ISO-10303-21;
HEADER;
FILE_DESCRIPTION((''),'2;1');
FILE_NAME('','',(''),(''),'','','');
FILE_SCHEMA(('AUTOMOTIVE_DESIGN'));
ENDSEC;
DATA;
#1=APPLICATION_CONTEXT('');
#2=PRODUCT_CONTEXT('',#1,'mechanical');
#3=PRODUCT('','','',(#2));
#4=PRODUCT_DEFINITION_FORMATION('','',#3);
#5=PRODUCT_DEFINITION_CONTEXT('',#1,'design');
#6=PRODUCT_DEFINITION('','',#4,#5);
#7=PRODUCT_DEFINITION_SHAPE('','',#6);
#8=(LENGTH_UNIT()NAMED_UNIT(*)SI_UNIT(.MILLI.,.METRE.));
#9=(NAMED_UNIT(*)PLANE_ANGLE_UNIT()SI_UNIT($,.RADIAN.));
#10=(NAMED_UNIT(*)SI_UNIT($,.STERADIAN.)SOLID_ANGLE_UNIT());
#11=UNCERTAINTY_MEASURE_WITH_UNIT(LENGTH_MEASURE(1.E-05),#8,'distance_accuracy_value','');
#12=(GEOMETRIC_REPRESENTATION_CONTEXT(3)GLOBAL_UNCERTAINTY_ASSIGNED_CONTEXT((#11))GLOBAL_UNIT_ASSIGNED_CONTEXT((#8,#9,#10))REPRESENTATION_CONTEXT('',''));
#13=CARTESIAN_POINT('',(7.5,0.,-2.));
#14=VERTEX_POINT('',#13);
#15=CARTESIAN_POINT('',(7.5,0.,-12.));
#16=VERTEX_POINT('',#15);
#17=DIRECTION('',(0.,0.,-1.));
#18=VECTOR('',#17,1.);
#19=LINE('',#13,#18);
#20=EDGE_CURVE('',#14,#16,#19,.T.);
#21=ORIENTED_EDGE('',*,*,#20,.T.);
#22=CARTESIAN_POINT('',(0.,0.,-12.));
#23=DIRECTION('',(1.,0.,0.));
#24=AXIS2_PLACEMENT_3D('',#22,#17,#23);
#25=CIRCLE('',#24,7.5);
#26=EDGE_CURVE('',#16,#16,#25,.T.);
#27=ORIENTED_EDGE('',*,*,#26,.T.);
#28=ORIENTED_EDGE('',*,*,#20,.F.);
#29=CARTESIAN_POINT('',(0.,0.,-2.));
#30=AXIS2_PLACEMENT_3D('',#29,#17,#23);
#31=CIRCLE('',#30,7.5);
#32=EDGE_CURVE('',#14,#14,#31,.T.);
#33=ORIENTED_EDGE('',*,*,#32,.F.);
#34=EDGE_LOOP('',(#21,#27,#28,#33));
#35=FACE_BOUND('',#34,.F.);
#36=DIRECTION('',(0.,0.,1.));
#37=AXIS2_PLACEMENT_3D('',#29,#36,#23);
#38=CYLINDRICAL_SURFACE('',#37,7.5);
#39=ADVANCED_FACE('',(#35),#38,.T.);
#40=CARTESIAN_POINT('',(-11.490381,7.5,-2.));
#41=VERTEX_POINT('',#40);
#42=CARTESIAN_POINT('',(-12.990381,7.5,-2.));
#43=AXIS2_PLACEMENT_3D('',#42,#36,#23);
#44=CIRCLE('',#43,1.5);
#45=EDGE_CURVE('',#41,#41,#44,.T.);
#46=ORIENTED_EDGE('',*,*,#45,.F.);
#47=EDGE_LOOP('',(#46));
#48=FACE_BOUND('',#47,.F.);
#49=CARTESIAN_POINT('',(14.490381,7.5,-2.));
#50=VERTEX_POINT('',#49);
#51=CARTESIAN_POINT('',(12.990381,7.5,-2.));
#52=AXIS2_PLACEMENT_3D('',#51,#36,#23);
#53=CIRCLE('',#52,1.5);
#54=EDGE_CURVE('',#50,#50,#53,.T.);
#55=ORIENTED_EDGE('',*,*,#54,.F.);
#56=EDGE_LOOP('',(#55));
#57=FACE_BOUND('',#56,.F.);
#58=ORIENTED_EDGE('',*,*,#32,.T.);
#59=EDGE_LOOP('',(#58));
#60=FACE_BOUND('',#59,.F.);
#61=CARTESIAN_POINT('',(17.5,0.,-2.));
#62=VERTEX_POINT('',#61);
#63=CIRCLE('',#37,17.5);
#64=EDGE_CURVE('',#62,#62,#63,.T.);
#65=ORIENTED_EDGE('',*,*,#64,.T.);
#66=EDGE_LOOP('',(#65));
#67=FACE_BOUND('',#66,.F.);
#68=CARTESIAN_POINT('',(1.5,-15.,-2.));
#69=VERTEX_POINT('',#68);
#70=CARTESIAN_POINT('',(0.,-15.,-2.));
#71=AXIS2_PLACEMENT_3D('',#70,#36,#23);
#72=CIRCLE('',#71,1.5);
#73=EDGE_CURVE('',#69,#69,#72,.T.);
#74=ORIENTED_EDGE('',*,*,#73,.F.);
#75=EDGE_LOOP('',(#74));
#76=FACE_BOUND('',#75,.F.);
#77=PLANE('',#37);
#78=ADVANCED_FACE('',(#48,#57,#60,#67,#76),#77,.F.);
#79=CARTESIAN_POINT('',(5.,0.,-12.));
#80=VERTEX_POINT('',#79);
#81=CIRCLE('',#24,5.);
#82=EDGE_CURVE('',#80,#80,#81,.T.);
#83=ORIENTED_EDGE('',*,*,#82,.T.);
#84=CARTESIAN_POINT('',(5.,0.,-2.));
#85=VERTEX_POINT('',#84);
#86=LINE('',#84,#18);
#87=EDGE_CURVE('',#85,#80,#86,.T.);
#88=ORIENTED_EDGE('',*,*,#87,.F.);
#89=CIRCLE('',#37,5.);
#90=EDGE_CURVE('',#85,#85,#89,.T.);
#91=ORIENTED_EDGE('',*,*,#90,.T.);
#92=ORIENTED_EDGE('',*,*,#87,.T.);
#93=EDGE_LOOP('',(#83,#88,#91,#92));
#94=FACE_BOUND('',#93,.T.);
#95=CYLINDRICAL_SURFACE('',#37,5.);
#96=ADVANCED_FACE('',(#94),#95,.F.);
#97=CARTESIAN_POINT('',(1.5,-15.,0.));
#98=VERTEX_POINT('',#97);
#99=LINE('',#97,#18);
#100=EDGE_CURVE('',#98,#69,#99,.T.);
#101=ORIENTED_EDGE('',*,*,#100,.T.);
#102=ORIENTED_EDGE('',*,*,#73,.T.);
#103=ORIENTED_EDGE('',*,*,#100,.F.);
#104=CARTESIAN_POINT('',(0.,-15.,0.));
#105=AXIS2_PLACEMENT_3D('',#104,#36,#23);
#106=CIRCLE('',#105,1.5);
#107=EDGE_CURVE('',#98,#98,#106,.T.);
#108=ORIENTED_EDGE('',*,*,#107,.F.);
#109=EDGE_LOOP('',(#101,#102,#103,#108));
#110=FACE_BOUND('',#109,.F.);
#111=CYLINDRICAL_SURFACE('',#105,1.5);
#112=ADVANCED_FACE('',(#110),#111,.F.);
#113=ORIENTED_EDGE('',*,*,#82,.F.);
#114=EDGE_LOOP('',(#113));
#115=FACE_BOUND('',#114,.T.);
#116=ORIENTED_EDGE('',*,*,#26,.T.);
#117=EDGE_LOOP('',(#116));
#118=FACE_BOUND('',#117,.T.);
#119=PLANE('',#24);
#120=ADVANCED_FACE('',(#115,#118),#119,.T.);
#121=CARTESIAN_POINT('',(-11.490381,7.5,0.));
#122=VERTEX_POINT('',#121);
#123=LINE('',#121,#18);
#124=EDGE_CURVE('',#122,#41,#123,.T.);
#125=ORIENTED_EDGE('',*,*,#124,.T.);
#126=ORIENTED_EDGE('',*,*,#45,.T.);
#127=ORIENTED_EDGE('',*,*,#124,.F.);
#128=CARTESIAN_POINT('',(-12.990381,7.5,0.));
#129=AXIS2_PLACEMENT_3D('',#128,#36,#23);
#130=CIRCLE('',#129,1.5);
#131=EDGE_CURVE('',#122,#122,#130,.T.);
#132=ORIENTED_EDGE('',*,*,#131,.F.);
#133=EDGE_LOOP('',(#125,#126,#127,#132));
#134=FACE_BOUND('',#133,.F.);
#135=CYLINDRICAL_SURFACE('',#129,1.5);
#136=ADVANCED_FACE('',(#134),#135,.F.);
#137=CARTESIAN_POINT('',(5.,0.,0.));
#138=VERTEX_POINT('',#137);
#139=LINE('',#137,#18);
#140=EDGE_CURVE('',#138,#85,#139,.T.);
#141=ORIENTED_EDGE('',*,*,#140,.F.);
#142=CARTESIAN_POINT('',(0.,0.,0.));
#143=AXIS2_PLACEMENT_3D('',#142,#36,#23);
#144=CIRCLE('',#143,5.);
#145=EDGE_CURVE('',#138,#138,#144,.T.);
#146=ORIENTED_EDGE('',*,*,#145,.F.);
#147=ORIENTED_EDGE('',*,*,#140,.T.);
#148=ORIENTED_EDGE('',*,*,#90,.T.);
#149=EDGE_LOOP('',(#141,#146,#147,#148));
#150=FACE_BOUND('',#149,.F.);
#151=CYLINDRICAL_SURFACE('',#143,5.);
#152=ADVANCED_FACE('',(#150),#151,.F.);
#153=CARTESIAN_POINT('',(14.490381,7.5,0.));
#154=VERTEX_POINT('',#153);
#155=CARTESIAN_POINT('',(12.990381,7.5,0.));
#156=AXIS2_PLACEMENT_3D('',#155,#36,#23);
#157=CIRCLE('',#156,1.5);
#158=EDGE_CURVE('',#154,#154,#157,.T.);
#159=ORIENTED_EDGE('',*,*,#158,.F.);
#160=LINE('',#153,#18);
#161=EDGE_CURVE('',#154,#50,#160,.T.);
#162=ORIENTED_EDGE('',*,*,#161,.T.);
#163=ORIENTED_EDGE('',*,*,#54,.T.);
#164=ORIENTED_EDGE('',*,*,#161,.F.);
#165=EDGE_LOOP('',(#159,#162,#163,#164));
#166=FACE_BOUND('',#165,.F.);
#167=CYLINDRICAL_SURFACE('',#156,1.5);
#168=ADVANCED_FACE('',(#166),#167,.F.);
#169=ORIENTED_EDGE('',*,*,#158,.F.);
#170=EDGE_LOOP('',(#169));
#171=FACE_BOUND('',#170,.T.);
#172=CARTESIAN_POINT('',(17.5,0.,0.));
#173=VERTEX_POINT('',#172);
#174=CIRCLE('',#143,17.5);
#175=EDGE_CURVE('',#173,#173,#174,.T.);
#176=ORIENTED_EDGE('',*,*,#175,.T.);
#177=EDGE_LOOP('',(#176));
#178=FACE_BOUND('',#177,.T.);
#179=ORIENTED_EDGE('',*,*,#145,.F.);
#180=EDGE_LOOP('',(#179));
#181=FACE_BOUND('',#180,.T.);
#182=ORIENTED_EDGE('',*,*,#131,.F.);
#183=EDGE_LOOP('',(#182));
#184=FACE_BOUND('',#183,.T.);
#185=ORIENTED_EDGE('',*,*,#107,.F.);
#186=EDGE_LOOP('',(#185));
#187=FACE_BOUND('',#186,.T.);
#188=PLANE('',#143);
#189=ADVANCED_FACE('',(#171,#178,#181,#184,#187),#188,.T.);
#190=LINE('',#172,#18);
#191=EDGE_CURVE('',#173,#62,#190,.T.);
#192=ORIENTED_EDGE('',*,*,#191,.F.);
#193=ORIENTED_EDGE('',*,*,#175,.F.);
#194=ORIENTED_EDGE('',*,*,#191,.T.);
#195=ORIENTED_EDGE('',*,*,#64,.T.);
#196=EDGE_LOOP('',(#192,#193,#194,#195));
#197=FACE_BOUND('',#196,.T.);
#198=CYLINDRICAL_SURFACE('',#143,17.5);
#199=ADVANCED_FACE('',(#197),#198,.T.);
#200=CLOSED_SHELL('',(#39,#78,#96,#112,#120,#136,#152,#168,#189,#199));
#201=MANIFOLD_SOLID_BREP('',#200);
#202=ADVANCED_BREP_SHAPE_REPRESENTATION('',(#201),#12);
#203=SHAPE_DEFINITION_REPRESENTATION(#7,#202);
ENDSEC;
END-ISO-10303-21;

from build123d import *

# Parameters (mm, degrees)
F0_R     = 17.5
F0_R_2   = 5
F1_DEPTH = 2
F2_R     = 7.5
F2_R_2   = 5
F3_DEPTH = 10
F4_R     = 1.5
F5_DEPTH = 2


with BuildPart() as f1:
    # F0 (on Top) → F1 (new body)
    with BuildSketch(Plane.XY):
        Circle(F0_R)
        Circle(F0_R_2, mode=Mode.SUBTRACT)
    extrude(amount=-F1_DEPTH)

    # F2 (on face) → F3 (join)
    with BuildSketch(Plane(origin=(0, 0, -2), x_dir=(1, 0, 0), z_dir=(0, 0, -1))):
        Circle(F2_R)
        Circle(F2_R_2, mode=Mode.SUBTRACT)
    extrude(amount=F3_DEPTH)

    # F4 (on face) → F5 (cut, through all)
    with BuildSketch(Plane.XY):
        with Locations((-12.990381, 7.5)):
            Circle(F4_R)
        with Locations((12.990381, 7.5)):
            Circle(F4_R)
        with Locations((0, -15)):
            Circle(F4_R)
    extrude(amount=-F5_DEPTH, mode=Mode.SUBTRACT)


solid = f1.part
